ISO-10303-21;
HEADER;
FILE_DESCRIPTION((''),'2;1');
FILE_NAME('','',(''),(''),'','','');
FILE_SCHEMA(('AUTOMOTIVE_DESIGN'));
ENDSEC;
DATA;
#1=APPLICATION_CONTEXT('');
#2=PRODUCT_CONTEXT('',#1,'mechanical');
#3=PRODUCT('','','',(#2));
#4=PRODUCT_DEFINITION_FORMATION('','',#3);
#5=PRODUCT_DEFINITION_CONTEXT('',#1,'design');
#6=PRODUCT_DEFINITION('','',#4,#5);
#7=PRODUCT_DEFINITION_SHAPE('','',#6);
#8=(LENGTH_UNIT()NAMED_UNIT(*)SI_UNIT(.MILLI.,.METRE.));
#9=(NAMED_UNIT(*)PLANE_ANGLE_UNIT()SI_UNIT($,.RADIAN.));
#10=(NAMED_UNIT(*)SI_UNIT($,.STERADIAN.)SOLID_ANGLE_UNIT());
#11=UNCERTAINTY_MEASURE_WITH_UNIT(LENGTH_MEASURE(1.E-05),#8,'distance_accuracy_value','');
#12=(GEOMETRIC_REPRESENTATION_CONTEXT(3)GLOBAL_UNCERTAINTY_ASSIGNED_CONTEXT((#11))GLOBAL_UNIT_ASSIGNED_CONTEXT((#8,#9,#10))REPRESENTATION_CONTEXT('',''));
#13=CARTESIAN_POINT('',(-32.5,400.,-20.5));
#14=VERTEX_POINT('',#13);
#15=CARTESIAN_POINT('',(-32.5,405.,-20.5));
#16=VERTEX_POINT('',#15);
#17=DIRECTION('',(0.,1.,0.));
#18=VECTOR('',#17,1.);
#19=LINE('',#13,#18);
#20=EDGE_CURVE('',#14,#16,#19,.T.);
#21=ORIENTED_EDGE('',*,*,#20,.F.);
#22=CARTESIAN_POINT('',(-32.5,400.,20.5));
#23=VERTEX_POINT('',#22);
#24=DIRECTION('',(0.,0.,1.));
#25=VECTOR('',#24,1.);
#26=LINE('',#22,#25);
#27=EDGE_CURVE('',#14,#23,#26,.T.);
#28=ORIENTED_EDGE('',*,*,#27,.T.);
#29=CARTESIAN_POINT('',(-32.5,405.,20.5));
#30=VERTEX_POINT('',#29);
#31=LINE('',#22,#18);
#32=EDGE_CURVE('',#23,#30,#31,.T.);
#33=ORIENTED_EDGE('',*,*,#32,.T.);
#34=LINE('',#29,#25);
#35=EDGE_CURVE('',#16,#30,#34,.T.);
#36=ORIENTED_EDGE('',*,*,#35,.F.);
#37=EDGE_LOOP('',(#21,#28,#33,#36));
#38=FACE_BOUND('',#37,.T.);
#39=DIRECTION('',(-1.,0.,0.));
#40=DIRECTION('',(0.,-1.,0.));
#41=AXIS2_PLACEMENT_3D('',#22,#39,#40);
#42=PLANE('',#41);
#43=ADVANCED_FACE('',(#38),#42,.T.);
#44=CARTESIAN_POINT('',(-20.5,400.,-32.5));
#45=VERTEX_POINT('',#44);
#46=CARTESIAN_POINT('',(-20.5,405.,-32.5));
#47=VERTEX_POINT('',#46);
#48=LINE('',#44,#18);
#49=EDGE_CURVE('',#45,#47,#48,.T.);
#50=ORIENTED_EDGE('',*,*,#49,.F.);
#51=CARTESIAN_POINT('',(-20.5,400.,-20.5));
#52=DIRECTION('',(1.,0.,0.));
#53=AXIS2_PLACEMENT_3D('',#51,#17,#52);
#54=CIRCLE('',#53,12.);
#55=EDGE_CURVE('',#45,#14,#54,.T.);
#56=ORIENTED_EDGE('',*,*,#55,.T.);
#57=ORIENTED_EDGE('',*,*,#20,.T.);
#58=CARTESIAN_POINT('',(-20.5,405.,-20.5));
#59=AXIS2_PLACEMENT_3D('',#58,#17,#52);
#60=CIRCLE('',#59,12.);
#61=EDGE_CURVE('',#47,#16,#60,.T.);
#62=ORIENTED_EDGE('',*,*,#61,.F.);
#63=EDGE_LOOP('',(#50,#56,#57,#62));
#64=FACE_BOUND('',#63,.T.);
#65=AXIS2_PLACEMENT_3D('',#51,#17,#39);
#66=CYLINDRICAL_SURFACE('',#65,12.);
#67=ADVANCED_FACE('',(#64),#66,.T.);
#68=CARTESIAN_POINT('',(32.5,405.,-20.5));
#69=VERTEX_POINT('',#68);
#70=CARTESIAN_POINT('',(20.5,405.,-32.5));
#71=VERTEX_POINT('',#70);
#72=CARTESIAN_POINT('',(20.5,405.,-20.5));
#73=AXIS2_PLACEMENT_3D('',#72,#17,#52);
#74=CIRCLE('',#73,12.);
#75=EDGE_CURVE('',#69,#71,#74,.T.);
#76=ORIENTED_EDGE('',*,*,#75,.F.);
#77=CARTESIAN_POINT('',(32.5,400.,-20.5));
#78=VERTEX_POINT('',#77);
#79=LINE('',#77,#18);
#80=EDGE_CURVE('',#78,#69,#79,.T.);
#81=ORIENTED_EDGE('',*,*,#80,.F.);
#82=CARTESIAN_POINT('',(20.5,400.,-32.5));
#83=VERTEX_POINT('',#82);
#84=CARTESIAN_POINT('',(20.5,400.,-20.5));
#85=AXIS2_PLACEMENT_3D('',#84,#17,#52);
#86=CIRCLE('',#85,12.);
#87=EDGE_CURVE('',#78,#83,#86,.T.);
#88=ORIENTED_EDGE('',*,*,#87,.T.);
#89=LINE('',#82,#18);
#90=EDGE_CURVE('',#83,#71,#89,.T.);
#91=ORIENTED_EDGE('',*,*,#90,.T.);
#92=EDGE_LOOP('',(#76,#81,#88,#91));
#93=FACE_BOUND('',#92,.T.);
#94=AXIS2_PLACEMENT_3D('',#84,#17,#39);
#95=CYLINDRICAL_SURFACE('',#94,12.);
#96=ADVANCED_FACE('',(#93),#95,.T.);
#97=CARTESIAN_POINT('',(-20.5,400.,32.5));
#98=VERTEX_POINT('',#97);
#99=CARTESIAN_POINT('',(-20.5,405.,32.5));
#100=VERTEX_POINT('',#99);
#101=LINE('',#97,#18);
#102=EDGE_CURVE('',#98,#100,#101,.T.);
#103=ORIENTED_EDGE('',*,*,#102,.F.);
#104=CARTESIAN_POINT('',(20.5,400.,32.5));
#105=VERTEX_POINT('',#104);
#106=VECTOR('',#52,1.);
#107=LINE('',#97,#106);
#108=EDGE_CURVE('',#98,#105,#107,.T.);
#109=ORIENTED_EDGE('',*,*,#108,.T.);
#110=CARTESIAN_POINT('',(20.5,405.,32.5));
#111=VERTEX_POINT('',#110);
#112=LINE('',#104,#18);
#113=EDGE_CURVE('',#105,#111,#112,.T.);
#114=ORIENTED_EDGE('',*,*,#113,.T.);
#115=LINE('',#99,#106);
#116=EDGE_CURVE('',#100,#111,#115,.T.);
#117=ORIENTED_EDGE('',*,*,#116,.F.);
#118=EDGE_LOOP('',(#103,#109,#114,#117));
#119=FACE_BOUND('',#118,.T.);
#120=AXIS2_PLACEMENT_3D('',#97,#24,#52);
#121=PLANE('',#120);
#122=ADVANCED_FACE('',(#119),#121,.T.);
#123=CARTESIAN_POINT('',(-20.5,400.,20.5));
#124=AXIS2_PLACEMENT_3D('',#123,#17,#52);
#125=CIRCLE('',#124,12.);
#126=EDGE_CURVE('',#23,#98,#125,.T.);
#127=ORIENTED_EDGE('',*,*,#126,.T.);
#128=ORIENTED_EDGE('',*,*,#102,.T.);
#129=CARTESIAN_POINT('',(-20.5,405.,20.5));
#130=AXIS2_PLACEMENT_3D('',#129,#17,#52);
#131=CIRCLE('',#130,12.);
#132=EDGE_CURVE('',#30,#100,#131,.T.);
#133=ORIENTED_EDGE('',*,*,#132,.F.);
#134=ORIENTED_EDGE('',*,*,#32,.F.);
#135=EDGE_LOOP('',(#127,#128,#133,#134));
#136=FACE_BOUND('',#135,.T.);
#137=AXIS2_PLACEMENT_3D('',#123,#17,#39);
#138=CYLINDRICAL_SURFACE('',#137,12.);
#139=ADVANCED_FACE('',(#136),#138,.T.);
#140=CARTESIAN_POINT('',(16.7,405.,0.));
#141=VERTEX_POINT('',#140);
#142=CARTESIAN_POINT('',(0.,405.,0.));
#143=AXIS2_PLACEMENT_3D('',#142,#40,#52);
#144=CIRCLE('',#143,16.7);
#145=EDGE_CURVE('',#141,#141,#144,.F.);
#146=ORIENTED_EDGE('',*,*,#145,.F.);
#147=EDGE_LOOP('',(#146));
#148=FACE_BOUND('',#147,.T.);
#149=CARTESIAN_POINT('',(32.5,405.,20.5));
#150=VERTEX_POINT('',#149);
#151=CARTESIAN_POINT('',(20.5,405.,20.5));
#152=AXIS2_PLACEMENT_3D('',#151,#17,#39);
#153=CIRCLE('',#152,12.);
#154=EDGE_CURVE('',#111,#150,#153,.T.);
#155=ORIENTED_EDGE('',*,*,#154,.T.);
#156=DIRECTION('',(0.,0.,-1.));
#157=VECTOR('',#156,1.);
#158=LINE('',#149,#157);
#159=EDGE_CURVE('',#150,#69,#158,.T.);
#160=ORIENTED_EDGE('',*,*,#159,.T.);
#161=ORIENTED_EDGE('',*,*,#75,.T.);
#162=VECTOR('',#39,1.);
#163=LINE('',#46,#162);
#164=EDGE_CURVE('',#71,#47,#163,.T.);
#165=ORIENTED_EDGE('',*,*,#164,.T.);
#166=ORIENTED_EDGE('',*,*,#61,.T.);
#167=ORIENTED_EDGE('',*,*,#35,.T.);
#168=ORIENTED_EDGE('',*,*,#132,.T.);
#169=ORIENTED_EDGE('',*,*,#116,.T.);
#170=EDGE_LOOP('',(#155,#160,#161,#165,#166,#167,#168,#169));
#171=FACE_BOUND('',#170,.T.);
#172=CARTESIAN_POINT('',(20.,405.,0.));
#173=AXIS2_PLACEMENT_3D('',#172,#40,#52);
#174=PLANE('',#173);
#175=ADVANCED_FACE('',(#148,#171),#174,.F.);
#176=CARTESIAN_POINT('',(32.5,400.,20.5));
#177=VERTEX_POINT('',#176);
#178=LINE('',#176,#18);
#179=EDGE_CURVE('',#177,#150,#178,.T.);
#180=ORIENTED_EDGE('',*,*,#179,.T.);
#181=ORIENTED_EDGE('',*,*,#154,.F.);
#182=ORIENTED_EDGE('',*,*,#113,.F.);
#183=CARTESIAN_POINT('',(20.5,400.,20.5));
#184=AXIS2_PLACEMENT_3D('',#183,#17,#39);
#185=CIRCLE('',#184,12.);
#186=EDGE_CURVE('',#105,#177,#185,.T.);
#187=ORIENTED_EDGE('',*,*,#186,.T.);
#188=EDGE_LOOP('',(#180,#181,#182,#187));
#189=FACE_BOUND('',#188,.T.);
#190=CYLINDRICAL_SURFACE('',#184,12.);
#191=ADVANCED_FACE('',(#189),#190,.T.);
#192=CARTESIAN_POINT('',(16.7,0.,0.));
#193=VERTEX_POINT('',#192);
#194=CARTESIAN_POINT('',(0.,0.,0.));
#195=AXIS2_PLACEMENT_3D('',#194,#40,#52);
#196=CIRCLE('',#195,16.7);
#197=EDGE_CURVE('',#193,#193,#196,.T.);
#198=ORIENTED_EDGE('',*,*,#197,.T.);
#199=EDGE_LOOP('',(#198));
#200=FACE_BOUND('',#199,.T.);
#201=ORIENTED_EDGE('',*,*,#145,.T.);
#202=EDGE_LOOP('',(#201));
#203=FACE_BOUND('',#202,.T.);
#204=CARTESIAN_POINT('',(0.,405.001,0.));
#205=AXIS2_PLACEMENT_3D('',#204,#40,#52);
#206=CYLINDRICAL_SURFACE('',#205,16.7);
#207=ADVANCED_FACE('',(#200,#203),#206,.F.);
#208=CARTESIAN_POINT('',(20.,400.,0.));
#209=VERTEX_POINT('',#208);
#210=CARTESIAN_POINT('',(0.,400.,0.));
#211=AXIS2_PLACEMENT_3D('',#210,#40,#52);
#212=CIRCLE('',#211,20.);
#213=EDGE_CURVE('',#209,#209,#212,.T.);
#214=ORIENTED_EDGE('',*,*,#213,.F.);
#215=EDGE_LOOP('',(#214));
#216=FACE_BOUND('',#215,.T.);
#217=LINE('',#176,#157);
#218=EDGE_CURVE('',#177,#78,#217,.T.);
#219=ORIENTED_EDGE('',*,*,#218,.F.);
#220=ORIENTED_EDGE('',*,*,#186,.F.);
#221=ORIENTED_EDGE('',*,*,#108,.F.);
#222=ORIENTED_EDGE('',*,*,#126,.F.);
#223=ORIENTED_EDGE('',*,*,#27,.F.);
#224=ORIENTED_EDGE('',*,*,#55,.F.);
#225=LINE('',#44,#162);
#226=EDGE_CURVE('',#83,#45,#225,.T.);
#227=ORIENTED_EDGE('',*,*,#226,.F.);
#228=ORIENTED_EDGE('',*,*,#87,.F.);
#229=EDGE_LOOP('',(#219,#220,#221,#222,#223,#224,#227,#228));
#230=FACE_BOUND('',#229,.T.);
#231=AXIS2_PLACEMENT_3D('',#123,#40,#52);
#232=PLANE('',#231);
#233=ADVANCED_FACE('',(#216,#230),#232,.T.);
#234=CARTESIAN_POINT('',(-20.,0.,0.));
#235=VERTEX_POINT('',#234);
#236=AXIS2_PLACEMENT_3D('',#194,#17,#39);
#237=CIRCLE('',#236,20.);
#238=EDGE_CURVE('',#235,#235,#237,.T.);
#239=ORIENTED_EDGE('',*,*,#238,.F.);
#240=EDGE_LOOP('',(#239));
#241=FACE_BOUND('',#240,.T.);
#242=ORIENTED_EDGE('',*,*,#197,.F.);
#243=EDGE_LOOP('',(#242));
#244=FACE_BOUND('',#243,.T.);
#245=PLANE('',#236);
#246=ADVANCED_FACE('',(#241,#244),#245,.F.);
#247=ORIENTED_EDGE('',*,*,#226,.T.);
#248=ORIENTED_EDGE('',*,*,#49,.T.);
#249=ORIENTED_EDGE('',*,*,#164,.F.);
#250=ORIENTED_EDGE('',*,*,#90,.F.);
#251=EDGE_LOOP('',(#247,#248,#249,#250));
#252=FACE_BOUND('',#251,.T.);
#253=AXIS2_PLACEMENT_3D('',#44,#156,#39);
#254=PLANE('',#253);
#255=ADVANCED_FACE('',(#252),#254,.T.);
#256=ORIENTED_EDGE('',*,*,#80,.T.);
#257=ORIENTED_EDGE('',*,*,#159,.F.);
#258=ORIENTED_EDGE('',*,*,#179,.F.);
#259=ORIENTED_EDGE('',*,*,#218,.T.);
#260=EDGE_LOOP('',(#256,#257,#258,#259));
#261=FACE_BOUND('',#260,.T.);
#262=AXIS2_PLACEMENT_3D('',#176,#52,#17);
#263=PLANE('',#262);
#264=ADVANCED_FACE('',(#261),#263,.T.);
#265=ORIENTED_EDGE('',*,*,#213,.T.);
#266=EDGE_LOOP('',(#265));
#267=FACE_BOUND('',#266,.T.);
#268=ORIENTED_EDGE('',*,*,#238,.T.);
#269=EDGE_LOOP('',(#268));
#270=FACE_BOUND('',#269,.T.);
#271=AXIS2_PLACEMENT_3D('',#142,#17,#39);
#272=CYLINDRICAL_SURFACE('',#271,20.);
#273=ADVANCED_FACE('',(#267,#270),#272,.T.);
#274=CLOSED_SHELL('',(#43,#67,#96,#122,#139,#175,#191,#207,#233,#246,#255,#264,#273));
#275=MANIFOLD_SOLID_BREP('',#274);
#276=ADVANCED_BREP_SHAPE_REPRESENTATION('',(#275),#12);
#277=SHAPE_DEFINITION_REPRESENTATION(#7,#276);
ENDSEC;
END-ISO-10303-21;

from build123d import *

# Parameters (mm, degrees)
SKETCH1_W           = 20
SKETCH1_H           = 405
BOSS_EXTRUDE1_DEPTH = 5
CUT_EXTRUDE1_REACH  = 409.6
SKETCH3_R           = 16.7


with BuildPart() as part:
    # Sketch1 → Revolve1 (revolve)
    with BuildSketch(Plane.XY, mode=Mode.PRIVATE) as revolve1_sk:
        with Locations((10, 202.5)):
            Rectangle(SKETCH1_W, SKETCH1_H)
    revolve(revolve1_sk.sketch.rotate(Axis((0, 405, 0), (0, -1, 0)), 180), axis=Axis((0, 405, 0), (0, -1, 0)))

    # Sketch2 → Boss-Extrude1 (add)
    with BuildSketch(Plane(origin=(0, 405, 0), x_dir=(1, 0, 0), z_dir=(0, 1, 0))):
        with BuildLine():
            Line((-20.5, -32.5), (20.5, -32.5))
            ThreePointArc((20.5, -32.5), (28.985281374, -28.985281374), (32.5, -20.5))
            Line((32.5, -20.5), (32.5, 20.5))
            ThreePointArc((32.5, 20.5), (28.985281374, 28.985281374), (20.5, 32.5))
            Line((20.5, 32.5), (-20.5, 32.5))
            ThreePointArc((-20.5, 32.5), (-28.985281374, 28.985281374), (-32.5, 20.5))
            Line((-32.5, 20.5), (-32.5, -20.5))
            ThreePointArc((-32.5, -20.5), (-28.985281374, -28.985281374), (-20.5, -32.5))
        make_face()
    extrude(amount=-BOSS_EXTRUDE1_DEPTH)

    # Sketch3 → Cut-Extrude1 (cut, up to next)
    with BuildSketch(Plane.XZ, mode=Mode.PRIVATE) as cut_extrude1_sk1:
        Circle(SKETCH3_R)
    cut_extrude1_tool1 = extrude(cut_extrude1_sk1.sketch, amount=-CUT_EXTRUDE1_REACH, mode=Mode.PRIVATE) & part.part
    add(cut_extrude1_tool1.solids().sort_by_distance((0, 0, 0))[0], mode=Mode.SUBTRACT)


solid = part.part
